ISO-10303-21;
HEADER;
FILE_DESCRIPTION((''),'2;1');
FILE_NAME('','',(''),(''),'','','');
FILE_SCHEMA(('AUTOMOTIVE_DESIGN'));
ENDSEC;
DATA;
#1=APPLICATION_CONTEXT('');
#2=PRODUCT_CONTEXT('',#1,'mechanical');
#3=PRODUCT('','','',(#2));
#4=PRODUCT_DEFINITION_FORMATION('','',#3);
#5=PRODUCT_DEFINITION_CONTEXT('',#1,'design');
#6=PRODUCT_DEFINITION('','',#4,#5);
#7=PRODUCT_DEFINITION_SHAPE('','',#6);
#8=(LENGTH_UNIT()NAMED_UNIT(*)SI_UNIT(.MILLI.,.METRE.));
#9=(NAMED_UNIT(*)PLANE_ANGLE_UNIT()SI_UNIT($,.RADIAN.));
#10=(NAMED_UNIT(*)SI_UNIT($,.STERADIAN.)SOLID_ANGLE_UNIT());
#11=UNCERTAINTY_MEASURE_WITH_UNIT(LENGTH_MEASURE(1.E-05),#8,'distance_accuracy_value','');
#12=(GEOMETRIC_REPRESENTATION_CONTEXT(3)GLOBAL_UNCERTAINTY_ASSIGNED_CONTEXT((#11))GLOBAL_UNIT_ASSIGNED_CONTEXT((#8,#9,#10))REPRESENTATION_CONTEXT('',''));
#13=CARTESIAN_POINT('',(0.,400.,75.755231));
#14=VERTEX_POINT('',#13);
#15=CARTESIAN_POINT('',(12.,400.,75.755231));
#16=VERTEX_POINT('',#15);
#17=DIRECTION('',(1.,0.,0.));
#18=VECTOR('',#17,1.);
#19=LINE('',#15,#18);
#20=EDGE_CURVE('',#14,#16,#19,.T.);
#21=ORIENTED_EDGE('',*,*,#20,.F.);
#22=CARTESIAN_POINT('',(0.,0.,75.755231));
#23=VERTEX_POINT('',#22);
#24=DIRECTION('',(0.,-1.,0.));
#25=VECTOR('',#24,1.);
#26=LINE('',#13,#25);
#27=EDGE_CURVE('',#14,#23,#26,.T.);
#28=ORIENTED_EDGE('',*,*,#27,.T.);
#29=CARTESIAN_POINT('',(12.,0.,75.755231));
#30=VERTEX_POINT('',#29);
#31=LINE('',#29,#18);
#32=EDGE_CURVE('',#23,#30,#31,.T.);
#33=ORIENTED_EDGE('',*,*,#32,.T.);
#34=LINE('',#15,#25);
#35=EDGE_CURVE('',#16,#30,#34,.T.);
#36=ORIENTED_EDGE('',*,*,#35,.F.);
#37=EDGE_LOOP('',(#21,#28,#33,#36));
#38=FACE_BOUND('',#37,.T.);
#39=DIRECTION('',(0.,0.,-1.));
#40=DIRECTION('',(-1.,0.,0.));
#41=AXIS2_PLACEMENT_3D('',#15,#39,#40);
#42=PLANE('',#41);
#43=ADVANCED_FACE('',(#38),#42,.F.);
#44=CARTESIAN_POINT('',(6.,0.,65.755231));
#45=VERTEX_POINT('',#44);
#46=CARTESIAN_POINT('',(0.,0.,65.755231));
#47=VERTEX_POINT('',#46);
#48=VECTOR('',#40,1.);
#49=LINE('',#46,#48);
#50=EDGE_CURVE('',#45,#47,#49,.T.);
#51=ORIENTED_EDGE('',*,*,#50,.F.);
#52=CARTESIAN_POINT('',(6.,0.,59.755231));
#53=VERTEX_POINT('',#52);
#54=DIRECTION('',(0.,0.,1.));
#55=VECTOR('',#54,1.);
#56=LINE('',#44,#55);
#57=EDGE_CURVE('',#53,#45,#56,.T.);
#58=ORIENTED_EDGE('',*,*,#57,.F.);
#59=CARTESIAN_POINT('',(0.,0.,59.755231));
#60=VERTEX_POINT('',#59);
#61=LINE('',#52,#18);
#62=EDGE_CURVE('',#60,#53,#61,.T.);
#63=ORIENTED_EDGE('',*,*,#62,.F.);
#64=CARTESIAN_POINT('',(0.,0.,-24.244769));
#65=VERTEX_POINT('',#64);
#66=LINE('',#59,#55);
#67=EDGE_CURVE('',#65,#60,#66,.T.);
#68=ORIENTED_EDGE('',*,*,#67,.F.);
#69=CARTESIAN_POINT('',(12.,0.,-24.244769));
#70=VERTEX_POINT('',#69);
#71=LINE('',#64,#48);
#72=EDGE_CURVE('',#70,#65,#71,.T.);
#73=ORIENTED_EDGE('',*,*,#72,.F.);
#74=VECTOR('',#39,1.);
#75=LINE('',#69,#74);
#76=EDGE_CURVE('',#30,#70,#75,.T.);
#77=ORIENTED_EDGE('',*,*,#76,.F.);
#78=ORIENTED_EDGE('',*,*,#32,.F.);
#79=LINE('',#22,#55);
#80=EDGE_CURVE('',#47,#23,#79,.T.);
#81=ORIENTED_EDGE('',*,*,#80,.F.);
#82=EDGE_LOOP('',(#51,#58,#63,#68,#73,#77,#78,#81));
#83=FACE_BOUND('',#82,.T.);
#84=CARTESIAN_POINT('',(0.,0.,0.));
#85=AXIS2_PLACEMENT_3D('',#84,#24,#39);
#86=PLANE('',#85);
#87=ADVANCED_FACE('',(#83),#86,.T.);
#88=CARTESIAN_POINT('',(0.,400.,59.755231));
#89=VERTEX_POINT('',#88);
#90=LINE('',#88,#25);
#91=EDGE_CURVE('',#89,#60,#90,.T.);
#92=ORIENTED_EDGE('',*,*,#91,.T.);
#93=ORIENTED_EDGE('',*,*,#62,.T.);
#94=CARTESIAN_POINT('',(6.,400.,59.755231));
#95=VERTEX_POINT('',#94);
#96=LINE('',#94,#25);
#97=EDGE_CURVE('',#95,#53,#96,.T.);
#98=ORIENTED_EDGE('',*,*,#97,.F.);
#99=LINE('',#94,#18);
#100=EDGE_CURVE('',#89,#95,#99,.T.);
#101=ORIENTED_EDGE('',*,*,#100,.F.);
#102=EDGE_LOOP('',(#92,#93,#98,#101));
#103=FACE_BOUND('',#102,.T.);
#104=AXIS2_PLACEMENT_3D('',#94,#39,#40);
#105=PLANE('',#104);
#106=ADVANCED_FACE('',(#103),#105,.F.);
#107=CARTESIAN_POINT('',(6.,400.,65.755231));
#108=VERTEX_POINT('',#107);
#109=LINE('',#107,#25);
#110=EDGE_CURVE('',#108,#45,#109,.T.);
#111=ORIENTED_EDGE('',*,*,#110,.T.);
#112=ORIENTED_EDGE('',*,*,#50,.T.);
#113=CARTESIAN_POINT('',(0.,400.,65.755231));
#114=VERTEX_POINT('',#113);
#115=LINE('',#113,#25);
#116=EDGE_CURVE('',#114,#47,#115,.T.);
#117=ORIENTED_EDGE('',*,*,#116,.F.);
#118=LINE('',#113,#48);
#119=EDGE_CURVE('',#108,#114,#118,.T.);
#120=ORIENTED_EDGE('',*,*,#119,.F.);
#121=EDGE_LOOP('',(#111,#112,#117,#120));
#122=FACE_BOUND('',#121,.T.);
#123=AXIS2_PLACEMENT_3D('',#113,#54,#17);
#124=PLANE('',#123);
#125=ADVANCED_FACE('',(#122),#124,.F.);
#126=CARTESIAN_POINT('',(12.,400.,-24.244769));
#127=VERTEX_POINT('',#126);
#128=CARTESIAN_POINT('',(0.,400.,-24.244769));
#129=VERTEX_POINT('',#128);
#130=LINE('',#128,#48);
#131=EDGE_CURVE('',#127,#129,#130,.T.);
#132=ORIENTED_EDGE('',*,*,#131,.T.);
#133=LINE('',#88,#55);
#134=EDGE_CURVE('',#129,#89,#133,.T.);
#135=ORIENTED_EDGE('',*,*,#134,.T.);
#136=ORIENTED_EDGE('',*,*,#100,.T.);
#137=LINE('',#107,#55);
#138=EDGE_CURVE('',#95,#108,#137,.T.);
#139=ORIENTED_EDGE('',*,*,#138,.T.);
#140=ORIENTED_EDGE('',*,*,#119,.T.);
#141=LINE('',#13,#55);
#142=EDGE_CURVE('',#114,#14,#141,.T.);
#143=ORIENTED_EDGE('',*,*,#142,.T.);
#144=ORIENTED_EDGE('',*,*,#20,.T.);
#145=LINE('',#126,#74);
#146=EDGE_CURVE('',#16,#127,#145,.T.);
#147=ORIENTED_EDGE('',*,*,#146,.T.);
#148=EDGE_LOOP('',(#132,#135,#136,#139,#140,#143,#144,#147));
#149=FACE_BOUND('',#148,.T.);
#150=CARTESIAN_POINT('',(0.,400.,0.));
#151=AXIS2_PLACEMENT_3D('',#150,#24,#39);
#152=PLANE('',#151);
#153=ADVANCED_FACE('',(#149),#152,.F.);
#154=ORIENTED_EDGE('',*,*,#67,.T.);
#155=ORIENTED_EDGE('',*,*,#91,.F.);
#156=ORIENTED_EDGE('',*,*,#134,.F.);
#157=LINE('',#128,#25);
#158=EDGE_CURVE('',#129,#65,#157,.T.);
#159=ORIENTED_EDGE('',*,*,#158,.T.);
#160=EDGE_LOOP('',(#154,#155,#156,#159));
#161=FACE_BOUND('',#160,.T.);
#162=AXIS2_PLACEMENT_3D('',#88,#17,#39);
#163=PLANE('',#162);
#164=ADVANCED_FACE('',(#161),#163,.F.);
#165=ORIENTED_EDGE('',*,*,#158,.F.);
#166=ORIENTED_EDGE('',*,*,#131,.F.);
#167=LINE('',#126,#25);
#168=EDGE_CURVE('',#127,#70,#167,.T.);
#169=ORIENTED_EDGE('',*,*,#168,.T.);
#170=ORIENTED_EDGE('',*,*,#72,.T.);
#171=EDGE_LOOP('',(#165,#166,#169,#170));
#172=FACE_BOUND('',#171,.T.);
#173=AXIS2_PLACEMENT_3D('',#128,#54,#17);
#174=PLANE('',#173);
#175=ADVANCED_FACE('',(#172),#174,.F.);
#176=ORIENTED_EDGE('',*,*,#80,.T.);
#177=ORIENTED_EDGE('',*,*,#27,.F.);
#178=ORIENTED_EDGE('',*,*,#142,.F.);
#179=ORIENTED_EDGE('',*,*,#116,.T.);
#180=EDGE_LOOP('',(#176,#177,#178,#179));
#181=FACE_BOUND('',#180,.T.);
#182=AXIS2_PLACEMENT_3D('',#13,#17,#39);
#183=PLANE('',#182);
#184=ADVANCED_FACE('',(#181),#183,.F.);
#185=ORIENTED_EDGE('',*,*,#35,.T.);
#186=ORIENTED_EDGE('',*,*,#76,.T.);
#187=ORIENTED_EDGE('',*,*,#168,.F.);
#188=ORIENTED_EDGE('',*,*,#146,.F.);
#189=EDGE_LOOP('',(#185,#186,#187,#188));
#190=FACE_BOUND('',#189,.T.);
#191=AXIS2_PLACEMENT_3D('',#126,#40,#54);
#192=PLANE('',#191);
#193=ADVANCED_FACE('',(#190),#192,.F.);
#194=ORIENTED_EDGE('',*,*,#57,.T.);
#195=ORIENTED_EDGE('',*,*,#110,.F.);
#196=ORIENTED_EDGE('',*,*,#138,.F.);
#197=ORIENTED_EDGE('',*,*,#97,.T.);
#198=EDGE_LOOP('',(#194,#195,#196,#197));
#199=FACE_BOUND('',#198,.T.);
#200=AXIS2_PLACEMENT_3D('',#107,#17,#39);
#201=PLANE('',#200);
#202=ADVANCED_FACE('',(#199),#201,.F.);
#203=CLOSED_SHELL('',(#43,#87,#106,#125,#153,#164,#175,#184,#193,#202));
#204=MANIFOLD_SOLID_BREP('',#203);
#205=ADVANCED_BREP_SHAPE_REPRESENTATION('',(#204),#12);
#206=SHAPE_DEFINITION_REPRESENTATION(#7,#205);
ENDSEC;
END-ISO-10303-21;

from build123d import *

# Parameters (mm, degrees)
SALIENTE_EXTRUIR2_DEPTH = 400


with BuildPart() as part:
    # Croquis1 → Saliente-Extruir2 (new body)
    with BuildSketch(Plane(origin=(0, 0, 0), x_dir=(1, 0, 0), z_dir=(0, 1, 0))):
        Polygon((12, 24.24476895), (12, -75.75523105), (0, -75.75523105), (0, -65.75523105), (6, -65.75523105), (6, -59.75523105), (0, -59.75523105), (0, 24.24476895), align=None)
    extrude(amount=SALIENTE_EXTRUIR2_DEPTH)


solid = part.part
